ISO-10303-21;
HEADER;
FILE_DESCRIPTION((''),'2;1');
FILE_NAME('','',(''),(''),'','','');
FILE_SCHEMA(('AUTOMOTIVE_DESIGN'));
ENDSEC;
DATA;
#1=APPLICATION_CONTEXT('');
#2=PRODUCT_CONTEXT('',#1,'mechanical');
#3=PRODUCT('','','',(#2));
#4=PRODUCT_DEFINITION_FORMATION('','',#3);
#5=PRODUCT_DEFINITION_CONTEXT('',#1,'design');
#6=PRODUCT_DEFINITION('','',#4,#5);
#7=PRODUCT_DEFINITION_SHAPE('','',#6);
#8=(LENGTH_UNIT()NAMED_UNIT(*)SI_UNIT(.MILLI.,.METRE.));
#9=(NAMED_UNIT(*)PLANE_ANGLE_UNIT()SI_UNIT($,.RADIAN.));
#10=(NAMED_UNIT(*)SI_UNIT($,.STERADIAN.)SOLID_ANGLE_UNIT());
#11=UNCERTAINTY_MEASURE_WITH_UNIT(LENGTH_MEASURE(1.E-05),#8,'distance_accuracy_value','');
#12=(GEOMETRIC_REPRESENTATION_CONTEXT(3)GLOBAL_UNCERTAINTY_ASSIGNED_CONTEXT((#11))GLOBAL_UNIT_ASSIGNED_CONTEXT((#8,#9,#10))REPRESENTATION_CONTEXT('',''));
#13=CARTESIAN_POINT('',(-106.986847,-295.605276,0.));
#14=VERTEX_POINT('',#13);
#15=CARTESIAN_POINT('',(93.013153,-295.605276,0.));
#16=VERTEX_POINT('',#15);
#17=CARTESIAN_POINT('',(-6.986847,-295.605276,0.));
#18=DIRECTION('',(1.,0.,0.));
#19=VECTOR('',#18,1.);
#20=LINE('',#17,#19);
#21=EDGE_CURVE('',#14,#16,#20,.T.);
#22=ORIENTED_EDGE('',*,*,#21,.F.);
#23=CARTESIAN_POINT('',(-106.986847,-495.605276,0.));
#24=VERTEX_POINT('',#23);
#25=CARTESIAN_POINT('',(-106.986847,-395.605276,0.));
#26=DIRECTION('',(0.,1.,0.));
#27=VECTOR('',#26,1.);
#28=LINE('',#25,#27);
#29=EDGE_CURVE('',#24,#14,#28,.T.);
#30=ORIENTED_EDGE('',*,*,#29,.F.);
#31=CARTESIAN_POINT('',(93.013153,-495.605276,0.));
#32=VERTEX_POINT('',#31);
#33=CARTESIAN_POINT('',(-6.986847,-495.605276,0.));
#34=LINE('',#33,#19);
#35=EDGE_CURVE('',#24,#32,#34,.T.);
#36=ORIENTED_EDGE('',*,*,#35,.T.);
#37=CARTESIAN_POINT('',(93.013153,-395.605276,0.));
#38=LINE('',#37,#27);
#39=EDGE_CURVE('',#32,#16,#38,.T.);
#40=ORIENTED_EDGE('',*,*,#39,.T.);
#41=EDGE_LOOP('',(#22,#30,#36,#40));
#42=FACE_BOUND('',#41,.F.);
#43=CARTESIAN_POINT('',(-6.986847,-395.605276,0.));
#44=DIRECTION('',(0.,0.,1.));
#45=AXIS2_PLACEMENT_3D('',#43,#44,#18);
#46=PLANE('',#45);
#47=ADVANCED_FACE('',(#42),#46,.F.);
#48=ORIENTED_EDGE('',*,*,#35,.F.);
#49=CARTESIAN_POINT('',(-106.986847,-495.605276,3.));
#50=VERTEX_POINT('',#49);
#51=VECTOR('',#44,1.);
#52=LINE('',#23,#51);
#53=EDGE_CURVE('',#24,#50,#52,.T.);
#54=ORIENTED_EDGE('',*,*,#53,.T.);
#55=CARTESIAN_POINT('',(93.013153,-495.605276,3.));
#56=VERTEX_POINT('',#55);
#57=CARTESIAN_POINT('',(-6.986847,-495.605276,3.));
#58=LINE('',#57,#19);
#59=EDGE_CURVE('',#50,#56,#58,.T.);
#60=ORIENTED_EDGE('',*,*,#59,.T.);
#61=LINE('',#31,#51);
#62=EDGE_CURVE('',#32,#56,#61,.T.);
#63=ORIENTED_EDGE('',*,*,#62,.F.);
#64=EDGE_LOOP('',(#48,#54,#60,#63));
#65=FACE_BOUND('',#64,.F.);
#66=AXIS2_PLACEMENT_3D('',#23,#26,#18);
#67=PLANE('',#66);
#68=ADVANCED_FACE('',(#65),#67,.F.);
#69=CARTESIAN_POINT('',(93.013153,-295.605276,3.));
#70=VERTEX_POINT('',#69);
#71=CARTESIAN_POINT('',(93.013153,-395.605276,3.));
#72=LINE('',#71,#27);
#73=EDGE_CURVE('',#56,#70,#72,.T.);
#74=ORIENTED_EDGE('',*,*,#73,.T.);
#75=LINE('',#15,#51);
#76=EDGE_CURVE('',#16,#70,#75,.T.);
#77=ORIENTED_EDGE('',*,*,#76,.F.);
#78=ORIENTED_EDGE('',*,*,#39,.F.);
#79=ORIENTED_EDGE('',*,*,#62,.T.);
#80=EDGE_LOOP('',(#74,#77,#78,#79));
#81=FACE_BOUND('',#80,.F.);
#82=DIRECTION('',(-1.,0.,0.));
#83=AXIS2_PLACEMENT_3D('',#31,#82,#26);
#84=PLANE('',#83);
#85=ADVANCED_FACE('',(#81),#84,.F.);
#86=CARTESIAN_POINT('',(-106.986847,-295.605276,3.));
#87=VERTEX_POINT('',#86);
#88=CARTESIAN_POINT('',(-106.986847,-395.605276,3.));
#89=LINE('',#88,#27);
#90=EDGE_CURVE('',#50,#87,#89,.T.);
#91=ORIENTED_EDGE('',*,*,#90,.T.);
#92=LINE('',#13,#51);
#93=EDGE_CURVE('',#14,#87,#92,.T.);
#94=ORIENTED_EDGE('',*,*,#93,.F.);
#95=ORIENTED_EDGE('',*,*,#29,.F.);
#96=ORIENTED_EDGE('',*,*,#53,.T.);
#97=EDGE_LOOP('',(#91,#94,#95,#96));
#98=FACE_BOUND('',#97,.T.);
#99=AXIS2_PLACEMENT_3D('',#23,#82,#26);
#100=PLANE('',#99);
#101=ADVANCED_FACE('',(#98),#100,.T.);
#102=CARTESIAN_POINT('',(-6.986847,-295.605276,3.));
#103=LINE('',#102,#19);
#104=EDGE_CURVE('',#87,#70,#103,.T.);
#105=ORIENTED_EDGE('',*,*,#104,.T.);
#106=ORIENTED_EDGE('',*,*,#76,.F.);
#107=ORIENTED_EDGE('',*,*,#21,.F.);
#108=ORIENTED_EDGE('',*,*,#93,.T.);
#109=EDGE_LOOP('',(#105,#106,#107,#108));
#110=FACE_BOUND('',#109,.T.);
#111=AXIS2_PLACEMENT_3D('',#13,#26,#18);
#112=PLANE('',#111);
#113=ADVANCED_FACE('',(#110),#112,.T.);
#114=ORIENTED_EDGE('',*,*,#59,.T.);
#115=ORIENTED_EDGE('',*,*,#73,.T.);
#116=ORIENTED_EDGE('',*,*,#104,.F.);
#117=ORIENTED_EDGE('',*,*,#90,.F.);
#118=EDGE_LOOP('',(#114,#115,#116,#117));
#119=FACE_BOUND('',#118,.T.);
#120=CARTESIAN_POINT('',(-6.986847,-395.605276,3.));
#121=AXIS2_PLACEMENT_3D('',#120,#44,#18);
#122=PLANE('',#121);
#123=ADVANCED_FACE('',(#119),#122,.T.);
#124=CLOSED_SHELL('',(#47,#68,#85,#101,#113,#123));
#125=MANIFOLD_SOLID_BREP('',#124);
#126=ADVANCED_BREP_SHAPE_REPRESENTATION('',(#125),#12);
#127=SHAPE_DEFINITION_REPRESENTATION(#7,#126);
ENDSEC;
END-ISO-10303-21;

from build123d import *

# Parameters (mm, degrees)
ESQUISSE1_W        = 200
ESQUISSE1_H        = 200
BOSS_EXTRU_1_DEPTH = 3


with BuildPart() as part:
    # Esquisse1 → Boss.-Extru.1 (new body)
    with BuildSketch(Plane.XY):
        with Locations((-6.986846764, -395.605276029)):
            Rectangle(ESQUISSE1_W, ESQUISSE1_H)
    extrude(amount=BOSS_EXTRU_1_DEPTH)


solid = part.part
